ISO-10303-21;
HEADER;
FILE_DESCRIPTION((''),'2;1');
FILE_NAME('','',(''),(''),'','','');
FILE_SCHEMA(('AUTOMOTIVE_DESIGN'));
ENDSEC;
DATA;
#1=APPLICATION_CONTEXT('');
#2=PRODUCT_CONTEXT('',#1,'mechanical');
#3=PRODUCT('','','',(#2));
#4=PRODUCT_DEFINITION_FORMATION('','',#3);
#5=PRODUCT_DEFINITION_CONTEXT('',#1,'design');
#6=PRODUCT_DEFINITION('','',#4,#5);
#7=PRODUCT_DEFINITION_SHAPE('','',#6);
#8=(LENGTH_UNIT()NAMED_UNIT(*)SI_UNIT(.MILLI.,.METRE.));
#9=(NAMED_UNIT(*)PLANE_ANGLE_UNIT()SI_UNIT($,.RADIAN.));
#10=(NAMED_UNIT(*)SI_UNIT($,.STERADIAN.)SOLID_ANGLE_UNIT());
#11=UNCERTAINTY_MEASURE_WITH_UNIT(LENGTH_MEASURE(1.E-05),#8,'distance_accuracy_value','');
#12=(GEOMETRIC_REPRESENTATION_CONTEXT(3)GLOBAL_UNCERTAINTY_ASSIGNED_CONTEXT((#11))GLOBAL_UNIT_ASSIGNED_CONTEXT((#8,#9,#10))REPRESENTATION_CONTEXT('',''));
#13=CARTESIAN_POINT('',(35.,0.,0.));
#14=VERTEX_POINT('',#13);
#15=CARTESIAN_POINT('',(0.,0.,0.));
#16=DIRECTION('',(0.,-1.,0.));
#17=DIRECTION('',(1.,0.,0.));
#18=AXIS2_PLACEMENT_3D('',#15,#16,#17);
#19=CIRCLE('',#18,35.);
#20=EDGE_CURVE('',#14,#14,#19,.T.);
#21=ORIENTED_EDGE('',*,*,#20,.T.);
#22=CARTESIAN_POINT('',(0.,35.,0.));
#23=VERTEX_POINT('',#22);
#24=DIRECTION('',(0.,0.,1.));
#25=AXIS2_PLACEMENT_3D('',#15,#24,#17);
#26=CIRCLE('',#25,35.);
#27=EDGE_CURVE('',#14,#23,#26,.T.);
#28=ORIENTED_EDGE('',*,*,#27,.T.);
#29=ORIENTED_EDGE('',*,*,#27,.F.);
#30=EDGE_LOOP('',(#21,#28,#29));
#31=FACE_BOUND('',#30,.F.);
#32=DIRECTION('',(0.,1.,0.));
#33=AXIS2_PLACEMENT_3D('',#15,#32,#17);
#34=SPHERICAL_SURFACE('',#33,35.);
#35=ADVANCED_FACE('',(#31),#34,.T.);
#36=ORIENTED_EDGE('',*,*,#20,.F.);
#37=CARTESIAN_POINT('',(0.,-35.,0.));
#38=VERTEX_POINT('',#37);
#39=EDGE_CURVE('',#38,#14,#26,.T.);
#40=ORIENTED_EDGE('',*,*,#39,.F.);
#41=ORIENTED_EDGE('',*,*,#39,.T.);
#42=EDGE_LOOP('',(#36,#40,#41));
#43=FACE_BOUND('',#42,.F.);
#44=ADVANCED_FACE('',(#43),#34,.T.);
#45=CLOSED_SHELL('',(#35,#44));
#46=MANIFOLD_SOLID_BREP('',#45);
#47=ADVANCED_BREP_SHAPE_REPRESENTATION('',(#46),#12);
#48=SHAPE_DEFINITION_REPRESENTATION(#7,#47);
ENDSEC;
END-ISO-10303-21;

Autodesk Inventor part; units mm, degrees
ref_plane "YZ Plane" through (0, 0, 0) normal (1, 0, 0) x (0, 1, 0)
ref_plane "XZ Plane" through (0, 0, 0) normal (0, 1, 0) x (-1, 0, 0)
ref_plane "XY Plane" through (0, 0, 0) normal (0, 0, 1) x (1, 0, 0)
sketch "Sketch1" plane through (0, 0, 0) normal (0, 0, 1) x (1, 0, 0)
  circle A0 centre (0, 0) radius 35
  line L0 (0, 35) -> (0, -35)
  dimension "d0" = 70
revolve "Revolution1" add sketch "Sketch1" angle 360 about axis through (0, 35, 0) along (0, -1, 0) picked at (9.8701, 8.8289) contours A0 L0
properties part number "TheBall70mm"
